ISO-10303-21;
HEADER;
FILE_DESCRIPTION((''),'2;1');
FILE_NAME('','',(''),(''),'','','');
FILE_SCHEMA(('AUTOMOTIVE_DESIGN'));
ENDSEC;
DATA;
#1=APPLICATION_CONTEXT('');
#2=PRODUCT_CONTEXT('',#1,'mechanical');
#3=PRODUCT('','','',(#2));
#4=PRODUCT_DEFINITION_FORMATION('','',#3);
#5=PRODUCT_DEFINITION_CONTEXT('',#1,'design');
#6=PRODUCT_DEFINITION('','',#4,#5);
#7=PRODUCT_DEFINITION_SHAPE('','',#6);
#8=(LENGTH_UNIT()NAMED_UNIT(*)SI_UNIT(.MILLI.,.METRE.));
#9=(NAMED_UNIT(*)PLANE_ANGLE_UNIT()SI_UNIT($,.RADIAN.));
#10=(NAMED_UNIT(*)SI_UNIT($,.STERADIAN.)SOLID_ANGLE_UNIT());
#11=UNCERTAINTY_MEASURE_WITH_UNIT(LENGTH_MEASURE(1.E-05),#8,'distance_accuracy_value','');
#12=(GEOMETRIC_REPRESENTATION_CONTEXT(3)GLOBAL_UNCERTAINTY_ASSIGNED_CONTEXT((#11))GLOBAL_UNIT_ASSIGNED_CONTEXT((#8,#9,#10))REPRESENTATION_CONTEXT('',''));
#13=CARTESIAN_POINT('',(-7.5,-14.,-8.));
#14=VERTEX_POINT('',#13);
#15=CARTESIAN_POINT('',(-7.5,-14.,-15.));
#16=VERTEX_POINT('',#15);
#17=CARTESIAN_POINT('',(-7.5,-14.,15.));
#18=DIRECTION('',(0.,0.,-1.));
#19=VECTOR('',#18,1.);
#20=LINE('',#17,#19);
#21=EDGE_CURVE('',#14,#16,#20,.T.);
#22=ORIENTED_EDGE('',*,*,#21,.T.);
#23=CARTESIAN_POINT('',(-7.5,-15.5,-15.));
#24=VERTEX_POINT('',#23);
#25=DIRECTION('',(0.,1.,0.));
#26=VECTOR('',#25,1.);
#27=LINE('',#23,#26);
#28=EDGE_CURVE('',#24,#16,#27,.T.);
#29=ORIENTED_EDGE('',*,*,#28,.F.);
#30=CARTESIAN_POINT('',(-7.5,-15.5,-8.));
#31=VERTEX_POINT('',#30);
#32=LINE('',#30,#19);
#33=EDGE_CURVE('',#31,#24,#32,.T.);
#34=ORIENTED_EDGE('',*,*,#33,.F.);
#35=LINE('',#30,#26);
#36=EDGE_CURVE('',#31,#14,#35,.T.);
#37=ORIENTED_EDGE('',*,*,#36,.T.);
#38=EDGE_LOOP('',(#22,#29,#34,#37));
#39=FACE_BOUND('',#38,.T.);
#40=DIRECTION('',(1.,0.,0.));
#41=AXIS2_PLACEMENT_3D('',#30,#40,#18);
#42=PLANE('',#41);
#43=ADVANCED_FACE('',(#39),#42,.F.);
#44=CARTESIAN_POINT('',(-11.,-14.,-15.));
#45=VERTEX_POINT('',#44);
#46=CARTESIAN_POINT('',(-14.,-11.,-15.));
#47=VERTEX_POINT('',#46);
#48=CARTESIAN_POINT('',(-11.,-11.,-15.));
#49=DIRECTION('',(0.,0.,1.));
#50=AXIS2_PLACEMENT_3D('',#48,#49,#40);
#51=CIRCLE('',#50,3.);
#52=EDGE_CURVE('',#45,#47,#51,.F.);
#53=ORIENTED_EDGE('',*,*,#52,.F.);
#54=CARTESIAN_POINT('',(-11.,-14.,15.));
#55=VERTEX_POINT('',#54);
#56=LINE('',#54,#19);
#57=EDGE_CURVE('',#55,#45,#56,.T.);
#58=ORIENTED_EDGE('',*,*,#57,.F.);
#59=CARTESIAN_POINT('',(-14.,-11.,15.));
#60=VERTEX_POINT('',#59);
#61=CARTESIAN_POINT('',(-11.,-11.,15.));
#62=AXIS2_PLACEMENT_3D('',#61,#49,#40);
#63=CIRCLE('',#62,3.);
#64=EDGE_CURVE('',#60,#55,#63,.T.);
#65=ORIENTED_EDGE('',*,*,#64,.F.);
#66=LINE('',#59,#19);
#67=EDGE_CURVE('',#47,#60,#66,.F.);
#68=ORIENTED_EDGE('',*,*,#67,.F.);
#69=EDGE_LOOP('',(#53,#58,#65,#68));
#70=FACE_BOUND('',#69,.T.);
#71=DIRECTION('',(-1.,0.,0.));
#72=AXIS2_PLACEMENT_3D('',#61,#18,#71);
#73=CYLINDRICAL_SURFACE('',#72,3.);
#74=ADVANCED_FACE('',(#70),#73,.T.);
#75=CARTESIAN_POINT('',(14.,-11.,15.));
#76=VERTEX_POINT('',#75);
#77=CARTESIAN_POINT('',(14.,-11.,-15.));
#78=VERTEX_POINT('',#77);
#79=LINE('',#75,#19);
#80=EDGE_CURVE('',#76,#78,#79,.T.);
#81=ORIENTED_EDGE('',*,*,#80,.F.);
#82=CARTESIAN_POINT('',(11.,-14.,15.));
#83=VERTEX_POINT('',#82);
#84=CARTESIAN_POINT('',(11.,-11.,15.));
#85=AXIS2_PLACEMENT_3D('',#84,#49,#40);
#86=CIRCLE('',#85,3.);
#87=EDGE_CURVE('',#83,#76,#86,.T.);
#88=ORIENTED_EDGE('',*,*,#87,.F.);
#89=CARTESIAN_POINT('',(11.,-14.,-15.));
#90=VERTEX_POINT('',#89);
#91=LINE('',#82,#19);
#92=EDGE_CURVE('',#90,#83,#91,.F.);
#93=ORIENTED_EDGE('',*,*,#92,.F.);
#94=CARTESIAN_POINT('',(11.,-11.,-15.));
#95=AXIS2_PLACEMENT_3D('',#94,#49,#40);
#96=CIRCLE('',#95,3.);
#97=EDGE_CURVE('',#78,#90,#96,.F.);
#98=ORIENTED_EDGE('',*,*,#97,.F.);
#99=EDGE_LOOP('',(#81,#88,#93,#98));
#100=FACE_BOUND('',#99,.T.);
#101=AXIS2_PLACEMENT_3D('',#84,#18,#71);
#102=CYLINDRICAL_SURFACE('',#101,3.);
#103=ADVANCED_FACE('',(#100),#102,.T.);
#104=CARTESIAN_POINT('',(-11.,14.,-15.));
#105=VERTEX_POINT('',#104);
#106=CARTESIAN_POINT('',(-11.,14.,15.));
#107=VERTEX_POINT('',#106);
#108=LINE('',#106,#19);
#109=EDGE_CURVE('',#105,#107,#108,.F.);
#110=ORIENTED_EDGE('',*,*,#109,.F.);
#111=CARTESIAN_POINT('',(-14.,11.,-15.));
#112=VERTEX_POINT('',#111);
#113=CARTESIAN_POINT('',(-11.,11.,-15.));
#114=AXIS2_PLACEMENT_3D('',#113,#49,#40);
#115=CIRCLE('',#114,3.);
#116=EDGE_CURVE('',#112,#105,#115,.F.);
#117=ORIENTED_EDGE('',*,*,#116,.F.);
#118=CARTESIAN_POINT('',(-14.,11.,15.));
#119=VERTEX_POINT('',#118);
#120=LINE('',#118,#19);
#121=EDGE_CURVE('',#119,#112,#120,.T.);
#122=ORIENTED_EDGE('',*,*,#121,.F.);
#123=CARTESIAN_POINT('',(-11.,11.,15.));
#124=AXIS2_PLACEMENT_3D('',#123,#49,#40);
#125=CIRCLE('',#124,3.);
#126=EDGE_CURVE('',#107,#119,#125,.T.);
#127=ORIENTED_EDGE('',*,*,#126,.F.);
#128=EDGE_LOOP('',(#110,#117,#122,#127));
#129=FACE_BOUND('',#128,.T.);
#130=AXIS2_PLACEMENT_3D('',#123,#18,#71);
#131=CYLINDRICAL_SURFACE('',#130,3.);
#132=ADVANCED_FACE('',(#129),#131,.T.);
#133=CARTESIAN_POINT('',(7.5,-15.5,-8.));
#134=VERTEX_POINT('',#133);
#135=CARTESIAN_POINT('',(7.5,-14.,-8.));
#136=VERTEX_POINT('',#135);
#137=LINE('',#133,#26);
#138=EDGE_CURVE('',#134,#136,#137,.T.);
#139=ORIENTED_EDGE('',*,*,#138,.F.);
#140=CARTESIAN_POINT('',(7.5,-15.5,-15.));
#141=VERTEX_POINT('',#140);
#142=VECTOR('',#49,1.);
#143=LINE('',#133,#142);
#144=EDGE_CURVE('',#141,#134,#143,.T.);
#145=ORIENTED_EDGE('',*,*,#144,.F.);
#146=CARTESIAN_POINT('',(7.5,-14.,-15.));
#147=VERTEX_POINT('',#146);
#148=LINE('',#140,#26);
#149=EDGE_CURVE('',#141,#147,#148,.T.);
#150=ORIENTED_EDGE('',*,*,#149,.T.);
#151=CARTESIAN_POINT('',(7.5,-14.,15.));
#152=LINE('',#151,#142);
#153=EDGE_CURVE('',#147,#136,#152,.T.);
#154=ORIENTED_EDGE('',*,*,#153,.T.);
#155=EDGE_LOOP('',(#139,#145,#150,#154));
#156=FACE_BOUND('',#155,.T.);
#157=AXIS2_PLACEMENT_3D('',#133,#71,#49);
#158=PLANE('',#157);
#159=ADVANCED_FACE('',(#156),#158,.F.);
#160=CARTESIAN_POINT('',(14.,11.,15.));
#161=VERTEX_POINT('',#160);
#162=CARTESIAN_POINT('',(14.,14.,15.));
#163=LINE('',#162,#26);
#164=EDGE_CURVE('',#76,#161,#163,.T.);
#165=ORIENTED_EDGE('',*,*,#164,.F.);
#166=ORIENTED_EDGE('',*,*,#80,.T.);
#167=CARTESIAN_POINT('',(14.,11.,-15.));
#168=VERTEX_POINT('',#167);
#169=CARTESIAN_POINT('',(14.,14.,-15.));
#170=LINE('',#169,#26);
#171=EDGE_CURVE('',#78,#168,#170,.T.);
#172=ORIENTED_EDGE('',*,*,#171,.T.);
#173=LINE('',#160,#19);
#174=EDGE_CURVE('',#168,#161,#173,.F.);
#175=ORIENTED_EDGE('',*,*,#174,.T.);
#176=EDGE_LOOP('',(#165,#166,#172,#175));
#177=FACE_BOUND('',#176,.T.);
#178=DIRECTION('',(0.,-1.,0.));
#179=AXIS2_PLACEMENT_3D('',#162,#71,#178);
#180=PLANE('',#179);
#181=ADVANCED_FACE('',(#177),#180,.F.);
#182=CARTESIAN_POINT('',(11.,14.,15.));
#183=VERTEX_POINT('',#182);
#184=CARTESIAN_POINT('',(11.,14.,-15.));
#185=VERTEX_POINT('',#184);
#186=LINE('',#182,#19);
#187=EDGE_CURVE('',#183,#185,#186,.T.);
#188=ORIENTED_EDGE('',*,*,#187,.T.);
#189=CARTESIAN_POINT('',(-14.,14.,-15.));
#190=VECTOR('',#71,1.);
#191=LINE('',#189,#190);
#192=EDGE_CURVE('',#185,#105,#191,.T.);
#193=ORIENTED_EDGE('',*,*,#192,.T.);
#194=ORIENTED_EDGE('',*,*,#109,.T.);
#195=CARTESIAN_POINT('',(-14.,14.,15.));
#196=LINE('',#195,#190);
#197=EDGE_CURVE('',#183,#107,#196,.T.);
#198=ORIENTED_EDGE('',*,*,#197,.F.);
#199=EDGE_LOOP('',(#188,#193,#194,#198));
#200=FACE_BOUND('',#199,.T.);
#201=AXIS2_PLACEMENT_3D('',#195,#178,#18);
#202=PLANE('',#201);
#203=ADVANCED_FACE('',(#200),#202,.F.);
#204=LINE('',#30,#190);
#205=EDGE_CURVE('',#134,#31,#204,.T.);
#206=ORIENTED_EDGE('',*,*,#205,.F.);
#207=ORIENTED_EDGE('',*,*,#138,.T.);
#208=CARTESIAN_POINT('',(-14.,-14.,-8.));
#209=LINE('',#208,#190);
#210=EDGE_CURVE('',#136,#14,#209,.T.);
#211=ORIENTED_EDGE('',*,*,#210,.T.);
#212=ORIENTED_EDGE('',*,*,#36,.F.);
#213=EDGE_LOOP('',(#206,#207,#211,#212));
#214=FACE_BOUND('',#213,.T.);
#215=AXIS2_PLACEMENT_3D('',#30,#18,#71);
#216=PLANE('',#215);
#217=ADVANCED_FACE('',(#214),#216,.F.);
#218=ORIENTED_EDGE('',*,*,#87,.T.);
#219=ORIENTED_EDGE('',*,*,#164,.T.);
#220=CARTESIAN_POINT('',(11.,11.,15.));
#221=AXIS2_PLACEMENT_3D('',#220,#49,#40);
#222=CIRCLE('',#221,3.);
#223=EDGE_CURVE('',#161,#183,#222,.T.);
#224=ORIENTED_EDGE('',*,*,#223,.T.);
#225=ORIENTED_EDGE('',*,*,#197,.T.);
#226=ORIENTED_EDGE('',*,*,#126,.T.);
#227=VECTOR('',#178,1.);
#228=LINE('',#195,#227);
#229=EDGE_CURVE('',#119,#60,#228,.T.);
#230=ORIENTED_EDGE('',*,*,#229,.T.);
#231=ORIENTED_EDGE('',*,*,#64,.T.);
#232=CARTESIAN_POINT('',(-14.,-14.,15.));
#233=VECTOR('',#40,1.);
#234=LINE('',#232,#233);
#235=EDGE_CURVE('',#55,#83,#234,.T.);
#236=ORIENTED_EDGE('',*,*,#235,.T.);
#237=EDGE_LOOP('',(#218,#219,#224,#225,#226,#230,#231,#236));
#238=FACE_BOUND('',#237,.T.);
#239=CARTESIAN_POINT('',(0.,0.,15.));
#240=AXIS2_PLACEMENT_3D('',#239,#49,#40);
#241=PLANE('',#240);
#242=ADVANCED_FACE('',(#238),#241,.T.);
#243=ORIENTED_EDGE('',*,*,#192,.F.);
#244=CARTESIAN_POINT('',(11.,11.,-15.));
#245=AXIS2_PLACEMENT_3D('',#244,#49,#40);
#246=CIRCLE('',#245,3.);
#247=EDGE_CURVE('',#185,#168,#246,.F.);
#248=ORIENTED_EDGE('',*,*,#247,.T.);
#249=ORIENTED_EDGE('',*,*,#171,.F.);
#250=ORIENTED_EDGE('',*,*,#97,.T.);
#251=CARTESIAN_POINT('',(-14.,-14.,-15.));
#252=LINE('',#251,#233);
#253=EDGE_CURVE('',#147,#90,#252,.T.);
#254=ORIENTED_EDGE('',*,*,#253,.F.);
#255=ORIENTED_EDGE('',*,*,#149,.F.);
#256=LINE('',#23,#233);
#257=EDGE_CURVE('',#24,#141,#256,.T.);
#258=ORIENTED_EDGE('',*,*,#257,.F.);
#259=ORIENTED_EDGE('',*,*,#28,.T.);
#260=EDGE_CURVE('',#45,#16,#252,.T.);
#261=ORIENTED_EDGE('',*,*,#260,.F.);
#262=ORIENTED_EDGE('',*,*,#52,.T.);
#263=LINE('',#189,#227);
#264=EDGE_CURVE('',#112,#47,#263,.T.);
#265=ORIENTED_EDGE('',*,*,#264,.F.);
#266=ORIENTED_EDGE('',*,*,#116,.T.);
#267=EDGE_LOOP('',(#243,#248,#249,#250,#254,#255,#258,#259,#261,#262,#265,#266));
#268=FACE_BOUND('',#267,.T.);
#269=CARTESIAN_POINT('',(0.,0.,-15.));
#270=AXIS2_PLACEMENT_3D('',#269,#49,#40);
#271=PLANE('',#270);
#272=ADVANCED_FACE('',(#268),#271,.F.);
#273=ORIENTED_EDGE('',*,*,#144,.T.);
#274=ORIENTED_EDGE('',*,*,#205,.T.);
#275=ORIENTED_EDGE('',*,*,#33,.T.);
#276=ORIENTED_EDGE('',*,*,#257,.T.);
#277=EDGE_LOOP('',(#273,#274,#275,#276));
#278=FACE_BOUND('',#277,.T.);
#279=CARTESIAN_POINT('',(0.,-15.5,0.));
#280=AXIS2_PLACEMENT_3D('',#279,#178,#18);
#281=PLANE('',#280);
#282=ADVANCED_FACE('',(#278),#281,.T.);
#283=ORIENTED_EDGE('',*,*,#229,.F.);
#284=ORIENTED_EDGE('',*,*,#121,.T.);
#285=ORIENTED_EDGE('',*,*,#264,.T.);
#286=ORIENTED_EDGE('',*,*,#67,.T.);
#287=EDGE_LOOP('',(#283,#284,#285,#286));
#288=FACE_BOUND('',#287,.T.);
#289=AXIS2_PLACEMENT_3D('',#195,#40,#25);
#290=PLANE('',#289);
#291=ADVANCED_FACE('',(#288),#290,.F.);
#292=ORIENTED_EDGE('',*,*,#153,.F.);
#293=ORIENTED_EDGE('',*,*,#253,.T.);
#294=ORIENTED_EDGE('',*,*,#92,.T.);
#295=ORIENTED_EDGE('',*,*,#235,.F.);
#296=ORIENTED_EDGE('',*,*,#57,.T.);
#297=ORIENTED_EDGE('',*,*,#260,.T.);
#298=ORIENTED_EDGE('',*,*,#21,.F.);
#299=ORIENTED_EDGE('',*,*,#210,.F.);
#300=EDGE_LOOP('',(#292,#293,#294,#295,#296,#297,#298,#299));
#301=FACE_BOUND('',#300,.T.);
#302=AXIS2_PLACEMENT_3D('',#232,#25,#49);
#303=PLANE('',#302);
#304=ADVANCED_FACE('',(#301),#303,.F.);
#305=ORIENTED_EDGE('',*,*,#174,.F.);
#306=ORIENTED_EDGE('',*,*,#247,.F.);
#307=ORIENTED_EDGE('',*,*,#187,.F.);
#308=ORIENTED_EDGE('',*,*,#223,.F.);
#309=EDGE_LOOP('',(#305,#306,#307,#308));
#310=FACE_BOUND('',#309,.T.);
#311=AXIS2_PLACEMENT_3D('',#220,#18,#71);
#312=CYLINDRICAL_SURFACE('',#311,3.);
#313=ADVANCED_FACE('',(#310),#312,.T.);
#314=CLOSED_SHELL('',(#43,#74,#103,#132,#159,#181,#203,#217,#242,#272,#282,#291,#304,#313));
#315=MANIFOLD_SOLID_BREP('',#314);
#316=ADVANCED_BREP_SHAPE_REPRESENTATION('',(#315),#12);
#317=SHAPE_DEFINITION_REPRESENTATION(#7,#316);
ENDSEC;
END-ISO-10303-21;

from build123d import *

# Parameters (mm, degrees)
SKETCH1_W           = 28
SKETCH1_H           = 28
BOSS_EXTRUDE1_DEPTH = 15
SKETCH2_W           = 15
SKETCH2_H           = 7
BOSS_EXTRUDE2_DEPTH = 1.5
FILLET1_R           = 3


with BuildPart() as part:
    # Sketch1 → Boss-Extrude1 (new body, symmetric)
    with BuildSketch(Plane.XY):
        Rectangle(SKETCH1_W, SKETCH1_H)
    extrude(amount=BOSS_EXTRUDE1_DEPTH, both=True)

    # Sketch2 → Boss-Extrude2 (add, symmetric)
    with BuildSketch(Plane.XZ.offset(14)):
        with Locations((0, -11.5)):
            Rectangle(SKETCH2_W, SKETCH2_H)
    extrude(amount=BOSS_EXTRUDE2_DEPTH, both=True)

    # Fillet1
    fillet1_edges = [part.edges().sort_by_distance(p)[0] for p in [
        (14, -14, 0),
        (-14, -14, 0),
        (-14, 14, 0),
        (14, 14, 0),
    ]]
    fillet(fillet1_edges, radius=FILLET1_R)


solid = part.part
